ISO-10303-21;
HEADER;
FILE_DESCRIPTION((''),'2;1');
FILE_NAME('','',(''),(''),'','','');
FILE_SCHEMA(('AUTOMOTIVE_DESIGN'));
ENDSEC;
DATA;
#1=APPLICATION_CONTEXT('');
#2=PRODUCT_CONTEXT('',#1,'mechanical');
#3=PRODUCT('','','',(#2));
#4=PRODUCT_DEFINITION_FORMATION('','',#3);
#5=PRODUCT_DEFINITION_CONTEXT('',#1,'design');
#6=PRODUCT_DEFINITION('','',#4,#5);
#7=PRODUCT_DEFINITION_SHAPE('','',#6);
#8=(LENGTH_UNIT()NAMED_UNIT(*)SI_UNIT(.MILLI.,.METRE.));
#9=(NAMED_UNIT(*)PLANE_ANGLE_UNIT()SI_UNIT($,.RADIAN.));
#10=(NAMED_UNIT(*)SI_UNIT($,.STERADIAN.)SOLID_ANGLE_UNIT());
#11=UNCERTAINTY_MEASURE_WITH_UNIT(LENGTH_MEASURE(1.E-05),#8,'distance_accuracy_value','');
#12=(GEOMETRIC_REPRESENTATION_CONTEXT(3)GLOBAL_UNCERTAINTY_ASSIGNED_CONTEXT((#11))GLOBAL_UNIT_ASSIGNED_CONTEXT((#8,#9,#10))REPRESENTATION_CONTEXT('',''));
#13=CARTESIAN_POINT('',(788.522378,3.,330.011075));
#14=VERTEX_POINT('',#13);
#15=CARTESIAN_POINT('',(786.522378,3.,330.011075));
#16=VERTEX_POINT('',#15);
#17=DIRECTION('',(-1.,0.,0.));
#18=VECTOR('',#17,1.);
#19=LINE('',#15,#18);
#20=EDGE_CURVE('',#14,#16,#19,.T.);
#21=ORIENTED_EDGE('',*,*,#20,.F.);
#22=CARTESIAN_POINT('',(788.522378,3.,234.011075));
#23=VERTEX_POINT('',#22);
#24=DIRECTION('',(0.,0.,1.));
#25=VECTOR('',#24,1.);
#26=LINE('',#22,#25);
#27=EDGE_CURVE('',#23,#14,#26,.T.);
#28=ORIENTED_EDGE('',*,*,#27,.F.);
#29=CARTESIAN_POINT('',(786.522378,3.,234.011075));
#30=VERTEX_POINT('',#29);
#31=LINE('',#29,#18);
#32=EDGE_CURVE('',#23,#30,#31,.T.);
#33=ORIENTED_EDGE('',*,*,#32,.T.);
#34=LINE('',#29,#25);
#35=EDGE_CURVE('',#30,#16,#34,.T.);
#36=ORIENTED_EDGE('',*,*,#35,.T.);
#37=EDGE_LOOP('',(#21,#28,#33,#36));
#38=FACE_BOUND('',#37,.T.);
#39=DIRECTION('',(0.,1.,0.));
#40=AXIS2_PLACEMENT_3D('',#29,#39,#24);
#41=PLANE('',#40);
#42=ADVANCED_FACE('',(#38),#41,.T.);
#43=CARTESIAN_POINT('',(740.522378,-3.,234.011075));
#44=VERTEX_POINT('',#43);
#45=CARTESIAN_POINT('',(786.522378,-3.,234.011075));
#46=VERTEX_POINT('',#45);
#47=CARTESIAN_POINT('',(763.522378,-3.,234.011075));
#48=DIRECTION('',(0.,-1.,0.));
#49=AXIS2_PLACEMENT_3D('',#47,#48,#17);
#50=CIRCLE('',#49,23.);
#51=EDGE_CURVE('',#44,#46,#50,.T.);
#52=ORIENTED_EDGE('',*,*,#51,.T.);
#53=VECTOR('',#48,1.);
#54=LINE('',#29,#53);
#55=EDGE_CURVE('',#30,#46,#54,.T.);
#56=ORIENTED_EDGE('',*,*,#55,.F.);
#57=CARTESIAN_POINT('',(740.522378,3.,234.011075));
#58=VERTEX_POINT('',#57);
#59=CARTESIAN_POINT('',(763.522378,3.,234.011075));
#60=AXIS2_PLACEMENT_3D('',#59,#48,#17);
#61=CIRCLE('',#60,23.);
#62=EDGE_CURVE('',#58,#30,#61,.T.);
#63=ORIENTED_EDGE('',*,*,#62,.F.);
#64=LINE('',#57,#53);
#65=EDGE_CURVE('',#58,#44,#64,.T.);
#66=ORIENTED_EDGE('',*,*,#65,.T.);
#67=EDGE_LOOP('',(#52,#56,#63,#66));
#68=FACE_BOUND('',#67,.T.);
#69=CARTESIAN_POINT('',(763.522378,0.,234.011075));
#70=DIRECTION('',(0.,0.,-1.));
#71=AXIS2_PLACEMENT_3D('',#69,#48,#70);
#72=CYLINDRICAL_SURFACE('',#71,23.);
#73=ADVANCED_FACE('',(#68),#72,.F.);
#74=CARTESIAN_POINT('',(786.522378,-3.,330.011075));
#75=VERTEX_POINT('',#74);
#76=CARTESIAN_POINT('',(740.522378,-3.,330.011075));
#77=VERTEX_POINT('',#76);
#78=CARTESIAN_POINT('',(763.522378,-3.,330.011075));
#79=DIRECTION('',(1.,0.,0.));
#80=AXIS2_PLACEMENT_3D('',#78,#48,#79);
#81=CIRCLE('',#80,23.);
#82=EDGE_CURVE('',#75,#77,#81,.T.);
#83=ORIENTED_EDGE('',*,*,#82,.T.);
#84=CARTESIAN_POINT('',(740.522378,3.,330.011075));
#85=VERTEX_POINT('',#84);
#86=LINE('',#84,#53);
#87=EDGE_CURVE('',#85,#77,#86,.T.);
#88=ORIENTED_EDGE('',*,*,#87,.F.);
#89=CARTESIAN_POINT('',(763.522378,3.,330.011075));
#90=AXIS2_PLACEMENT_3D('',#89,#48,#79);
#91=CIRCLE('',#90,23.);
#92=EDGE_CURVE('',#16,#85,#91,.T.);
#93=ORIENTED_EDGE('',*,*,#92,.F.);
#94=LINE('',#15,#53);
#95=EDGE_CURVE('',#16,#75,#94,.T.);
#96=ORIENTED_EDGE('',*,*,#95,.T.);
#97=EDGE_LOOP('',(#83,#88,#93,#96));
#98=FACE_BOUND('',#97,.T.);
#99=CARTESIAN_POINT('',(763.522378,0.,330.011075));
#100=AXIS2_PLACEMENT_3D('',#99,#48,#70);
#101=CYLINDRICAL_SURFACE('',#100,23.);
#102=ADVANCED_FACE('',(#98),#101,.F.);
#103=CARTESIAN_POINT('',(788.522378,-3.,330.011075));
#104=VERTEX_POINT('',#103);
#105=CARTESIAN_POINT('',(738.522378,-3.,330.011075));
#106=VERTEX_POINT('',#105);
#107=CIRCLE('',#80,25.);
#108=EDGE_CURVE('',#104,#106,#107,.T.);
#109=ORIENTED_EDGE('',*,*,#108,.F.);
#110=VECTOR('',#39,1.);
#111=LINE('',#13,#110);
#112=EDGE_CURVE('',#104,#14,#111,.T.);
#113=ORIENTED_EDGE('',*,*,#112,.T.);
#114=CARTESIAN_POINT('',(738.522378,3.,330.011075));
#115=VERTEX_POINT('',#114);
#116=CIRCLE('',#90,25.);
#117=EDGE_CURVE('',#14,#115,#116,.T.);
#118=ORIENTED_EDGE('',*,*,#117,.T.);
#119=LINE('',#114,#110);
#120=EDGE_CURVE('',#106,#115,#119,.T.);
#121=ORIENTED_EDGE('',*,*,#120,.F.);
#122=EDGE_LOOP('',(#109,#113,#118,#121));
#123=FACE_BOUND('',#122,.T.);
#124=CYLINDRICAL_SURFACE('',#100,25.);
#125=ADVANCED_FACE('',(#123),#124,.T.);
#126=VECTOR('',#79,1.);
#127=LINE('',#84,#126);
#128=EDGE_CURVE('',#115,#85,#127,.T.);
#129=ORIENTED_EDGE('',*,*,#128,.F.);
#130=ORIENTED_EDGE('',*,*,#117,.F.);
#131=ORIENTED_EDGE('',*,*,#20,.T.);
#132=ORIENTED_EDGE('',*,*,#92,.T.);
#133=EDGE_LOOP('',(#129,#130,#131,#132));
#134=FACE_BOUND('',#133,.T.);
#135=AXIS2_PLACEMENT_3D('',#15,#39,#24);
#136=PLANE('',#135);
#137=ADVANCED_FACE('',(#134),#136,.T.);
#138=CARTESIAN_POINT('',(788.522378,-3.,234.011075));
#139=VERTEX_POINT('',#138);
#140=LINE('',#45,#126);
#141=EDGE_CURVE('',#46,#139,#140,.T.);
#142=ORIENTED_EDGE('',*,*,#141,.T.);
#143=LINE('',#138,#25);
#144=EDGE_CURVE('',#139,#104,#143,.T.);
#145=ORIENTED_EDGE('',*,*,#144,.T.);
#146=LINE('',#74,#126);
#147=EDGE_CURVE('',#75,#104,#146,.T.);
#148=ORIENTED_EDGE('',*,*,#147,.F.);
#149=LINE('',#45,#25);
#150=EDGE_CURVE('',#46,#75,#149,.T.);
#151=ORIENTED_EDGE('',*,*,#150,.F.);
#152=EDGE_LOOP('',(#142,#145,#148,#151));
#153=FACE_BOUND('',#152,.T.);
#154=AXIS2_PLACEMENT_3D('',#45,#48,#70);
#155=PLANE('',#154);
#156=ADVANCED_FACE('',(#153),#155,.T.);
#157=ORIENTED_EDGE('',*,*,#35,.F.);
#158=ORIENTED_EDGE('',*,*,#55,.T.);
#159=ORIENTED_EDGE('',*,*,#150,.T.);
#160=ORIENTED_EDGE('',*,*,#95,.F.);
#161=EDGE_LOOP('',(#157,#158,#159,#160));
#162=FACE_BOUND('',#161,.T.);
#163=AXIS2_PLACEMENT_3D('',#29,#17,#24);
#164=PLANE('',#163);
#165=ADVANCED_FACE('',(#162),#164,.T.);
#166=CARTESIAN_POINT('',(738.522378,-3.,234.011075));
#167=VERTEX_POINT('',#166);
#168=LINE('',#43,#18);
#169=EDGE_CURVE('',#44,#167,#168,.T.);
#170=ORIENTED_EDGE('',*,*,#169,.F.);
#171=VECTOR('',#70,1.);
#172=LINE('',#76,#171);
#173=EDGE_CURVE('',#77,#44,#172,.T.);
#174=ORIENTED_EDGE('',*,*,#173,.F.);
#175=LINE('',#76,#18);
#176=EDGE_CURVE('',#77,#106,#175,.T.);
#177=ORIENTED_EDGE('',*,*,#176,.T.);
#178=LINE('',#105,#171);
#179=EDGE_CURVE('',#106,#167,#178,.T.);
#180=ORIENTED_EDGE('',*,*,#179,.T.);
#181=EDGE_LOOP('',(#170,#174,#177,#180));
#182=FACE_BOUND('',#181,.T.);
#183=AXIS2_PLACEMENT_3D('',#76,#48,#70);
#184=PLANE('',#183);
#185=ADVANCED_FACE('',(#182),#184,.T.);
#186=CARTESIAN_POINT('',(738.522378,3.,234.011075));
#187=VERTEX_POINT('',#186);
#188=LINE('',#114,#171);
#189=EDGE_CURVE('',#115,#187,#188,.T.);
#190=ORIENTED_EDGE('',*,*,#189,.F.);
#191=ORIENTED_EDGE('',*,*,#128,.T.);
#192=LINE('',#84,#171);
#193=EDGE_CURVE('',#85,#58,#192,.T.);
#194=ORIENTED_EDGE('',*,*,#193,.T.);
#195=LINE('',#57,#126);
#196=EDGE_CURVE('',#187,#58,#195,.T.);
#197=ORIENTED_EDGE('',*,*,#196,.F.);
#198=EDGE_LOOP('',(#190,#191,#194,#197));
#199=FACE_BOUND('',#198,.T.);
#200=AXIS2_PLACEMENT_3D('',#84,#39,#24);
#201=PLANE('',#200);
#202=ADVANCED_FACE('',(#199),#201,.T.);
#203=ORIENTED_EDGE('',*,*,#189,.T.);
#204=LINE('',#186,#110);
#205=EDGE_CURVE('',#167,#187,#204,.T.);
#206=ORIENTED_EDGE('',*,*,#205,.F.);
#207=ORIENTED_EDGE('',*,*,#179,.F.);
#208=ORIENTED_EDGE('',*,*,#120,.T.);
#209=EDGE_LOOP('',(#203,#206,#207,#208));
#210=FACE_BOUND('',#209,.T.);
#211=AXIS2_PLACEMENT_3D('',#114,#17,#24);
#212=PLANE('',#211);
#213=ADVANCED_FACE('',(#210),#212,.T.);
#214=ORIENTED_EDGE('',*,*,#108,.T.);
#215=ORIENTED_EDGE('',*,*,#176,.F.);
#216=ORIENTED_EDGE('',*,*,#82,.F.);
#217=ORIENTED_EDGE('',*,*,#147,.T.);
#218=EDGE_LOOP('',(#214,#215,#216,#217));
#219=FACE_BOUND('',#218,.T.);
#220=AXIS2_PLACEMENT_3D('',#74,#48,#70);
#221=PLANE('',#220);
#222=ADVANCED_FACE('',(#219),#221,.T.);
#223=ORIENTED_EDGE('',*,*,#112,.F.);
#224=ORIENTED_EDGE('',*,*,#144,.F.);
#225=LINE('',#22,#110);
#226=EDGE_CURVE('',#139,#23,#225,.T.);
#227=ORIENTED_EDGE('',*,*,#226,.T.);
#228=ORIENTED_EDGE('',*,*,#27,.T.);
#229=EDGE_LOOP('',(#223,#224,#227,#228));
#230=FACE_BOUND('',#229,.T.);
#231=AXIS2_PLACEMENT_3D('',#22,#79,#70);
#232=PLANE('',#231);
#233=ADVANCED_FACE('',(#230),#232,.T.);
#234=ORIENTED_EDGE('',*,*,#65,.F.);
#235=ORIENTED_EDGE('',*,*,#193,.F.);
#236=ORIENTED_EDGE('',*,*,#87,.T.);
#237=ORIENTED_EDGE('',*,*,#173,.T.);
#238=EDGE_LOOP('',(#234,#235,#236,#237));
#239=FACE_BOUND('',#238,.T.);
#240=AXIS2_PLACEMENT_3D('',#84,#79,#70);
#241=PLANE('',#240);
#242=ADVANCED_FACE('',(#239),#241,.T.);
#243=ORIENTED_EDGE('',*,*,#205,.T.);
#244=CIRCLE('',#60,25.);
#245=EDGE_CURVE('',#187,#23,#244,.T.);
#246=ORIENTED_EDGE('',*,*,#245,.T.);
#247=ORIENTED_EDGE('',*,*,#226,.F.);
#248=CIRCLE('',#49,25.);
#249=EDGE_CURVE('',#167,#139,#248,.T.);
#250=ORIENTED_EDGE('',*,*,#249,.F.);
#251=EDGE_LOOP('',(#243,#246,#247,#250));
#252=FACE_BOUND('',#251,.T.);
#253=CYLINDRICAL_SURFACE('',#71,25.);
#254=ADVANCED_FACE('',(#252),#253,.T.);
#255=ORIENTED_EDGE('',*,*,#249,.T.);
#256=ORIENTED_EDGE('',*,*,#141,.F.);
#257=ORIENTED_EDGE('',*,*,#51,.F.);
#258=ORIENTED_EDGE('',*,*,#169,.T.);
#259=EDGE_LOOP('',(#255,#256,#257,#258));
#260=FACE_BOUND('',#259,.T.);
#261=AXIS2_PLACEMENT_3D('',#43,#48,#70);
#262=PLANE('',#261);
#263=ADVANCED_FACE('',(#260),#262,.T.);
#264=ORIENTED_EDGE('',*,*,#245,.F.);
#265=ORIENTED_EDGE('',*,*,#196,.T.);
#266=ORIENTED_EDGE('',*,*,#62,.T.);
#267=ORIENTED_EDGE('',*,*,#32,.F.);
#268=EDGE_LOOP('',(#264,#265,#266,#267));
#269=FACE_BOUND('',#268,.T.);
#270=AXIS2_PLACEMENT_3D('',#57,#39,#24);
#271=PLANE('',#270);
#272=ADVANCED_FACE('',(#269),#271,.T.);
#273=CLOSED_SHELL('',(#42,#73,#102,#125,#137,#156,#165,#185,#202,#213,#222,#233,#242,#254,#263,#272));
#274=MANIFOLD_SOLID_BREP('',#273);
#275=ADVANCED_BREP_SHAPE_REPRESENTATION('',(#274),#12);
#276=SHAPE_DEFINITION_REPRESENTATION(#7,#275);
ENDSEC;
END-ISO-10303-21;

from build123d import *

# Parameters (mm, degrees)
SKETCH2_W = 2
SKETCH2_H = 6


with BuildPart() as part:
    # Sweep1: sweep along a path in Sketch1
    with BuildLine(Plane(origin=(0, 0, 0), x_dir=(1, 0, 0), z_dir=(0, 1, 0))) as sweep1_path:
        Line((787.522377583, -234.011074688), (787.522377583, -330.011074688))
        ThreePointArc((787.522377583, -330.011074688), (763.522377583, -354.011074688), (739.522377583, -330.011074688))
        Line((739.522377583, -330.011074688), (739.522377583, -234.011074688))
        ThreePointArc((739.522377583, -234.011074688), (763.522377583, -210.011074688), (787.522377583, -234.011074688))
    # Sketch2 → Sweep1 (sweep)
    with BuildSketch(Plane(origin=(739.522377583, 0, 234.011074688), x_dir=(-1, 0, 0), z_dir=(0, 0, -1))):
        Rectangle(SKETCH2_W, SKETCH2_H)
    sweep(path=sweep1_path.line)


solid = part.part
